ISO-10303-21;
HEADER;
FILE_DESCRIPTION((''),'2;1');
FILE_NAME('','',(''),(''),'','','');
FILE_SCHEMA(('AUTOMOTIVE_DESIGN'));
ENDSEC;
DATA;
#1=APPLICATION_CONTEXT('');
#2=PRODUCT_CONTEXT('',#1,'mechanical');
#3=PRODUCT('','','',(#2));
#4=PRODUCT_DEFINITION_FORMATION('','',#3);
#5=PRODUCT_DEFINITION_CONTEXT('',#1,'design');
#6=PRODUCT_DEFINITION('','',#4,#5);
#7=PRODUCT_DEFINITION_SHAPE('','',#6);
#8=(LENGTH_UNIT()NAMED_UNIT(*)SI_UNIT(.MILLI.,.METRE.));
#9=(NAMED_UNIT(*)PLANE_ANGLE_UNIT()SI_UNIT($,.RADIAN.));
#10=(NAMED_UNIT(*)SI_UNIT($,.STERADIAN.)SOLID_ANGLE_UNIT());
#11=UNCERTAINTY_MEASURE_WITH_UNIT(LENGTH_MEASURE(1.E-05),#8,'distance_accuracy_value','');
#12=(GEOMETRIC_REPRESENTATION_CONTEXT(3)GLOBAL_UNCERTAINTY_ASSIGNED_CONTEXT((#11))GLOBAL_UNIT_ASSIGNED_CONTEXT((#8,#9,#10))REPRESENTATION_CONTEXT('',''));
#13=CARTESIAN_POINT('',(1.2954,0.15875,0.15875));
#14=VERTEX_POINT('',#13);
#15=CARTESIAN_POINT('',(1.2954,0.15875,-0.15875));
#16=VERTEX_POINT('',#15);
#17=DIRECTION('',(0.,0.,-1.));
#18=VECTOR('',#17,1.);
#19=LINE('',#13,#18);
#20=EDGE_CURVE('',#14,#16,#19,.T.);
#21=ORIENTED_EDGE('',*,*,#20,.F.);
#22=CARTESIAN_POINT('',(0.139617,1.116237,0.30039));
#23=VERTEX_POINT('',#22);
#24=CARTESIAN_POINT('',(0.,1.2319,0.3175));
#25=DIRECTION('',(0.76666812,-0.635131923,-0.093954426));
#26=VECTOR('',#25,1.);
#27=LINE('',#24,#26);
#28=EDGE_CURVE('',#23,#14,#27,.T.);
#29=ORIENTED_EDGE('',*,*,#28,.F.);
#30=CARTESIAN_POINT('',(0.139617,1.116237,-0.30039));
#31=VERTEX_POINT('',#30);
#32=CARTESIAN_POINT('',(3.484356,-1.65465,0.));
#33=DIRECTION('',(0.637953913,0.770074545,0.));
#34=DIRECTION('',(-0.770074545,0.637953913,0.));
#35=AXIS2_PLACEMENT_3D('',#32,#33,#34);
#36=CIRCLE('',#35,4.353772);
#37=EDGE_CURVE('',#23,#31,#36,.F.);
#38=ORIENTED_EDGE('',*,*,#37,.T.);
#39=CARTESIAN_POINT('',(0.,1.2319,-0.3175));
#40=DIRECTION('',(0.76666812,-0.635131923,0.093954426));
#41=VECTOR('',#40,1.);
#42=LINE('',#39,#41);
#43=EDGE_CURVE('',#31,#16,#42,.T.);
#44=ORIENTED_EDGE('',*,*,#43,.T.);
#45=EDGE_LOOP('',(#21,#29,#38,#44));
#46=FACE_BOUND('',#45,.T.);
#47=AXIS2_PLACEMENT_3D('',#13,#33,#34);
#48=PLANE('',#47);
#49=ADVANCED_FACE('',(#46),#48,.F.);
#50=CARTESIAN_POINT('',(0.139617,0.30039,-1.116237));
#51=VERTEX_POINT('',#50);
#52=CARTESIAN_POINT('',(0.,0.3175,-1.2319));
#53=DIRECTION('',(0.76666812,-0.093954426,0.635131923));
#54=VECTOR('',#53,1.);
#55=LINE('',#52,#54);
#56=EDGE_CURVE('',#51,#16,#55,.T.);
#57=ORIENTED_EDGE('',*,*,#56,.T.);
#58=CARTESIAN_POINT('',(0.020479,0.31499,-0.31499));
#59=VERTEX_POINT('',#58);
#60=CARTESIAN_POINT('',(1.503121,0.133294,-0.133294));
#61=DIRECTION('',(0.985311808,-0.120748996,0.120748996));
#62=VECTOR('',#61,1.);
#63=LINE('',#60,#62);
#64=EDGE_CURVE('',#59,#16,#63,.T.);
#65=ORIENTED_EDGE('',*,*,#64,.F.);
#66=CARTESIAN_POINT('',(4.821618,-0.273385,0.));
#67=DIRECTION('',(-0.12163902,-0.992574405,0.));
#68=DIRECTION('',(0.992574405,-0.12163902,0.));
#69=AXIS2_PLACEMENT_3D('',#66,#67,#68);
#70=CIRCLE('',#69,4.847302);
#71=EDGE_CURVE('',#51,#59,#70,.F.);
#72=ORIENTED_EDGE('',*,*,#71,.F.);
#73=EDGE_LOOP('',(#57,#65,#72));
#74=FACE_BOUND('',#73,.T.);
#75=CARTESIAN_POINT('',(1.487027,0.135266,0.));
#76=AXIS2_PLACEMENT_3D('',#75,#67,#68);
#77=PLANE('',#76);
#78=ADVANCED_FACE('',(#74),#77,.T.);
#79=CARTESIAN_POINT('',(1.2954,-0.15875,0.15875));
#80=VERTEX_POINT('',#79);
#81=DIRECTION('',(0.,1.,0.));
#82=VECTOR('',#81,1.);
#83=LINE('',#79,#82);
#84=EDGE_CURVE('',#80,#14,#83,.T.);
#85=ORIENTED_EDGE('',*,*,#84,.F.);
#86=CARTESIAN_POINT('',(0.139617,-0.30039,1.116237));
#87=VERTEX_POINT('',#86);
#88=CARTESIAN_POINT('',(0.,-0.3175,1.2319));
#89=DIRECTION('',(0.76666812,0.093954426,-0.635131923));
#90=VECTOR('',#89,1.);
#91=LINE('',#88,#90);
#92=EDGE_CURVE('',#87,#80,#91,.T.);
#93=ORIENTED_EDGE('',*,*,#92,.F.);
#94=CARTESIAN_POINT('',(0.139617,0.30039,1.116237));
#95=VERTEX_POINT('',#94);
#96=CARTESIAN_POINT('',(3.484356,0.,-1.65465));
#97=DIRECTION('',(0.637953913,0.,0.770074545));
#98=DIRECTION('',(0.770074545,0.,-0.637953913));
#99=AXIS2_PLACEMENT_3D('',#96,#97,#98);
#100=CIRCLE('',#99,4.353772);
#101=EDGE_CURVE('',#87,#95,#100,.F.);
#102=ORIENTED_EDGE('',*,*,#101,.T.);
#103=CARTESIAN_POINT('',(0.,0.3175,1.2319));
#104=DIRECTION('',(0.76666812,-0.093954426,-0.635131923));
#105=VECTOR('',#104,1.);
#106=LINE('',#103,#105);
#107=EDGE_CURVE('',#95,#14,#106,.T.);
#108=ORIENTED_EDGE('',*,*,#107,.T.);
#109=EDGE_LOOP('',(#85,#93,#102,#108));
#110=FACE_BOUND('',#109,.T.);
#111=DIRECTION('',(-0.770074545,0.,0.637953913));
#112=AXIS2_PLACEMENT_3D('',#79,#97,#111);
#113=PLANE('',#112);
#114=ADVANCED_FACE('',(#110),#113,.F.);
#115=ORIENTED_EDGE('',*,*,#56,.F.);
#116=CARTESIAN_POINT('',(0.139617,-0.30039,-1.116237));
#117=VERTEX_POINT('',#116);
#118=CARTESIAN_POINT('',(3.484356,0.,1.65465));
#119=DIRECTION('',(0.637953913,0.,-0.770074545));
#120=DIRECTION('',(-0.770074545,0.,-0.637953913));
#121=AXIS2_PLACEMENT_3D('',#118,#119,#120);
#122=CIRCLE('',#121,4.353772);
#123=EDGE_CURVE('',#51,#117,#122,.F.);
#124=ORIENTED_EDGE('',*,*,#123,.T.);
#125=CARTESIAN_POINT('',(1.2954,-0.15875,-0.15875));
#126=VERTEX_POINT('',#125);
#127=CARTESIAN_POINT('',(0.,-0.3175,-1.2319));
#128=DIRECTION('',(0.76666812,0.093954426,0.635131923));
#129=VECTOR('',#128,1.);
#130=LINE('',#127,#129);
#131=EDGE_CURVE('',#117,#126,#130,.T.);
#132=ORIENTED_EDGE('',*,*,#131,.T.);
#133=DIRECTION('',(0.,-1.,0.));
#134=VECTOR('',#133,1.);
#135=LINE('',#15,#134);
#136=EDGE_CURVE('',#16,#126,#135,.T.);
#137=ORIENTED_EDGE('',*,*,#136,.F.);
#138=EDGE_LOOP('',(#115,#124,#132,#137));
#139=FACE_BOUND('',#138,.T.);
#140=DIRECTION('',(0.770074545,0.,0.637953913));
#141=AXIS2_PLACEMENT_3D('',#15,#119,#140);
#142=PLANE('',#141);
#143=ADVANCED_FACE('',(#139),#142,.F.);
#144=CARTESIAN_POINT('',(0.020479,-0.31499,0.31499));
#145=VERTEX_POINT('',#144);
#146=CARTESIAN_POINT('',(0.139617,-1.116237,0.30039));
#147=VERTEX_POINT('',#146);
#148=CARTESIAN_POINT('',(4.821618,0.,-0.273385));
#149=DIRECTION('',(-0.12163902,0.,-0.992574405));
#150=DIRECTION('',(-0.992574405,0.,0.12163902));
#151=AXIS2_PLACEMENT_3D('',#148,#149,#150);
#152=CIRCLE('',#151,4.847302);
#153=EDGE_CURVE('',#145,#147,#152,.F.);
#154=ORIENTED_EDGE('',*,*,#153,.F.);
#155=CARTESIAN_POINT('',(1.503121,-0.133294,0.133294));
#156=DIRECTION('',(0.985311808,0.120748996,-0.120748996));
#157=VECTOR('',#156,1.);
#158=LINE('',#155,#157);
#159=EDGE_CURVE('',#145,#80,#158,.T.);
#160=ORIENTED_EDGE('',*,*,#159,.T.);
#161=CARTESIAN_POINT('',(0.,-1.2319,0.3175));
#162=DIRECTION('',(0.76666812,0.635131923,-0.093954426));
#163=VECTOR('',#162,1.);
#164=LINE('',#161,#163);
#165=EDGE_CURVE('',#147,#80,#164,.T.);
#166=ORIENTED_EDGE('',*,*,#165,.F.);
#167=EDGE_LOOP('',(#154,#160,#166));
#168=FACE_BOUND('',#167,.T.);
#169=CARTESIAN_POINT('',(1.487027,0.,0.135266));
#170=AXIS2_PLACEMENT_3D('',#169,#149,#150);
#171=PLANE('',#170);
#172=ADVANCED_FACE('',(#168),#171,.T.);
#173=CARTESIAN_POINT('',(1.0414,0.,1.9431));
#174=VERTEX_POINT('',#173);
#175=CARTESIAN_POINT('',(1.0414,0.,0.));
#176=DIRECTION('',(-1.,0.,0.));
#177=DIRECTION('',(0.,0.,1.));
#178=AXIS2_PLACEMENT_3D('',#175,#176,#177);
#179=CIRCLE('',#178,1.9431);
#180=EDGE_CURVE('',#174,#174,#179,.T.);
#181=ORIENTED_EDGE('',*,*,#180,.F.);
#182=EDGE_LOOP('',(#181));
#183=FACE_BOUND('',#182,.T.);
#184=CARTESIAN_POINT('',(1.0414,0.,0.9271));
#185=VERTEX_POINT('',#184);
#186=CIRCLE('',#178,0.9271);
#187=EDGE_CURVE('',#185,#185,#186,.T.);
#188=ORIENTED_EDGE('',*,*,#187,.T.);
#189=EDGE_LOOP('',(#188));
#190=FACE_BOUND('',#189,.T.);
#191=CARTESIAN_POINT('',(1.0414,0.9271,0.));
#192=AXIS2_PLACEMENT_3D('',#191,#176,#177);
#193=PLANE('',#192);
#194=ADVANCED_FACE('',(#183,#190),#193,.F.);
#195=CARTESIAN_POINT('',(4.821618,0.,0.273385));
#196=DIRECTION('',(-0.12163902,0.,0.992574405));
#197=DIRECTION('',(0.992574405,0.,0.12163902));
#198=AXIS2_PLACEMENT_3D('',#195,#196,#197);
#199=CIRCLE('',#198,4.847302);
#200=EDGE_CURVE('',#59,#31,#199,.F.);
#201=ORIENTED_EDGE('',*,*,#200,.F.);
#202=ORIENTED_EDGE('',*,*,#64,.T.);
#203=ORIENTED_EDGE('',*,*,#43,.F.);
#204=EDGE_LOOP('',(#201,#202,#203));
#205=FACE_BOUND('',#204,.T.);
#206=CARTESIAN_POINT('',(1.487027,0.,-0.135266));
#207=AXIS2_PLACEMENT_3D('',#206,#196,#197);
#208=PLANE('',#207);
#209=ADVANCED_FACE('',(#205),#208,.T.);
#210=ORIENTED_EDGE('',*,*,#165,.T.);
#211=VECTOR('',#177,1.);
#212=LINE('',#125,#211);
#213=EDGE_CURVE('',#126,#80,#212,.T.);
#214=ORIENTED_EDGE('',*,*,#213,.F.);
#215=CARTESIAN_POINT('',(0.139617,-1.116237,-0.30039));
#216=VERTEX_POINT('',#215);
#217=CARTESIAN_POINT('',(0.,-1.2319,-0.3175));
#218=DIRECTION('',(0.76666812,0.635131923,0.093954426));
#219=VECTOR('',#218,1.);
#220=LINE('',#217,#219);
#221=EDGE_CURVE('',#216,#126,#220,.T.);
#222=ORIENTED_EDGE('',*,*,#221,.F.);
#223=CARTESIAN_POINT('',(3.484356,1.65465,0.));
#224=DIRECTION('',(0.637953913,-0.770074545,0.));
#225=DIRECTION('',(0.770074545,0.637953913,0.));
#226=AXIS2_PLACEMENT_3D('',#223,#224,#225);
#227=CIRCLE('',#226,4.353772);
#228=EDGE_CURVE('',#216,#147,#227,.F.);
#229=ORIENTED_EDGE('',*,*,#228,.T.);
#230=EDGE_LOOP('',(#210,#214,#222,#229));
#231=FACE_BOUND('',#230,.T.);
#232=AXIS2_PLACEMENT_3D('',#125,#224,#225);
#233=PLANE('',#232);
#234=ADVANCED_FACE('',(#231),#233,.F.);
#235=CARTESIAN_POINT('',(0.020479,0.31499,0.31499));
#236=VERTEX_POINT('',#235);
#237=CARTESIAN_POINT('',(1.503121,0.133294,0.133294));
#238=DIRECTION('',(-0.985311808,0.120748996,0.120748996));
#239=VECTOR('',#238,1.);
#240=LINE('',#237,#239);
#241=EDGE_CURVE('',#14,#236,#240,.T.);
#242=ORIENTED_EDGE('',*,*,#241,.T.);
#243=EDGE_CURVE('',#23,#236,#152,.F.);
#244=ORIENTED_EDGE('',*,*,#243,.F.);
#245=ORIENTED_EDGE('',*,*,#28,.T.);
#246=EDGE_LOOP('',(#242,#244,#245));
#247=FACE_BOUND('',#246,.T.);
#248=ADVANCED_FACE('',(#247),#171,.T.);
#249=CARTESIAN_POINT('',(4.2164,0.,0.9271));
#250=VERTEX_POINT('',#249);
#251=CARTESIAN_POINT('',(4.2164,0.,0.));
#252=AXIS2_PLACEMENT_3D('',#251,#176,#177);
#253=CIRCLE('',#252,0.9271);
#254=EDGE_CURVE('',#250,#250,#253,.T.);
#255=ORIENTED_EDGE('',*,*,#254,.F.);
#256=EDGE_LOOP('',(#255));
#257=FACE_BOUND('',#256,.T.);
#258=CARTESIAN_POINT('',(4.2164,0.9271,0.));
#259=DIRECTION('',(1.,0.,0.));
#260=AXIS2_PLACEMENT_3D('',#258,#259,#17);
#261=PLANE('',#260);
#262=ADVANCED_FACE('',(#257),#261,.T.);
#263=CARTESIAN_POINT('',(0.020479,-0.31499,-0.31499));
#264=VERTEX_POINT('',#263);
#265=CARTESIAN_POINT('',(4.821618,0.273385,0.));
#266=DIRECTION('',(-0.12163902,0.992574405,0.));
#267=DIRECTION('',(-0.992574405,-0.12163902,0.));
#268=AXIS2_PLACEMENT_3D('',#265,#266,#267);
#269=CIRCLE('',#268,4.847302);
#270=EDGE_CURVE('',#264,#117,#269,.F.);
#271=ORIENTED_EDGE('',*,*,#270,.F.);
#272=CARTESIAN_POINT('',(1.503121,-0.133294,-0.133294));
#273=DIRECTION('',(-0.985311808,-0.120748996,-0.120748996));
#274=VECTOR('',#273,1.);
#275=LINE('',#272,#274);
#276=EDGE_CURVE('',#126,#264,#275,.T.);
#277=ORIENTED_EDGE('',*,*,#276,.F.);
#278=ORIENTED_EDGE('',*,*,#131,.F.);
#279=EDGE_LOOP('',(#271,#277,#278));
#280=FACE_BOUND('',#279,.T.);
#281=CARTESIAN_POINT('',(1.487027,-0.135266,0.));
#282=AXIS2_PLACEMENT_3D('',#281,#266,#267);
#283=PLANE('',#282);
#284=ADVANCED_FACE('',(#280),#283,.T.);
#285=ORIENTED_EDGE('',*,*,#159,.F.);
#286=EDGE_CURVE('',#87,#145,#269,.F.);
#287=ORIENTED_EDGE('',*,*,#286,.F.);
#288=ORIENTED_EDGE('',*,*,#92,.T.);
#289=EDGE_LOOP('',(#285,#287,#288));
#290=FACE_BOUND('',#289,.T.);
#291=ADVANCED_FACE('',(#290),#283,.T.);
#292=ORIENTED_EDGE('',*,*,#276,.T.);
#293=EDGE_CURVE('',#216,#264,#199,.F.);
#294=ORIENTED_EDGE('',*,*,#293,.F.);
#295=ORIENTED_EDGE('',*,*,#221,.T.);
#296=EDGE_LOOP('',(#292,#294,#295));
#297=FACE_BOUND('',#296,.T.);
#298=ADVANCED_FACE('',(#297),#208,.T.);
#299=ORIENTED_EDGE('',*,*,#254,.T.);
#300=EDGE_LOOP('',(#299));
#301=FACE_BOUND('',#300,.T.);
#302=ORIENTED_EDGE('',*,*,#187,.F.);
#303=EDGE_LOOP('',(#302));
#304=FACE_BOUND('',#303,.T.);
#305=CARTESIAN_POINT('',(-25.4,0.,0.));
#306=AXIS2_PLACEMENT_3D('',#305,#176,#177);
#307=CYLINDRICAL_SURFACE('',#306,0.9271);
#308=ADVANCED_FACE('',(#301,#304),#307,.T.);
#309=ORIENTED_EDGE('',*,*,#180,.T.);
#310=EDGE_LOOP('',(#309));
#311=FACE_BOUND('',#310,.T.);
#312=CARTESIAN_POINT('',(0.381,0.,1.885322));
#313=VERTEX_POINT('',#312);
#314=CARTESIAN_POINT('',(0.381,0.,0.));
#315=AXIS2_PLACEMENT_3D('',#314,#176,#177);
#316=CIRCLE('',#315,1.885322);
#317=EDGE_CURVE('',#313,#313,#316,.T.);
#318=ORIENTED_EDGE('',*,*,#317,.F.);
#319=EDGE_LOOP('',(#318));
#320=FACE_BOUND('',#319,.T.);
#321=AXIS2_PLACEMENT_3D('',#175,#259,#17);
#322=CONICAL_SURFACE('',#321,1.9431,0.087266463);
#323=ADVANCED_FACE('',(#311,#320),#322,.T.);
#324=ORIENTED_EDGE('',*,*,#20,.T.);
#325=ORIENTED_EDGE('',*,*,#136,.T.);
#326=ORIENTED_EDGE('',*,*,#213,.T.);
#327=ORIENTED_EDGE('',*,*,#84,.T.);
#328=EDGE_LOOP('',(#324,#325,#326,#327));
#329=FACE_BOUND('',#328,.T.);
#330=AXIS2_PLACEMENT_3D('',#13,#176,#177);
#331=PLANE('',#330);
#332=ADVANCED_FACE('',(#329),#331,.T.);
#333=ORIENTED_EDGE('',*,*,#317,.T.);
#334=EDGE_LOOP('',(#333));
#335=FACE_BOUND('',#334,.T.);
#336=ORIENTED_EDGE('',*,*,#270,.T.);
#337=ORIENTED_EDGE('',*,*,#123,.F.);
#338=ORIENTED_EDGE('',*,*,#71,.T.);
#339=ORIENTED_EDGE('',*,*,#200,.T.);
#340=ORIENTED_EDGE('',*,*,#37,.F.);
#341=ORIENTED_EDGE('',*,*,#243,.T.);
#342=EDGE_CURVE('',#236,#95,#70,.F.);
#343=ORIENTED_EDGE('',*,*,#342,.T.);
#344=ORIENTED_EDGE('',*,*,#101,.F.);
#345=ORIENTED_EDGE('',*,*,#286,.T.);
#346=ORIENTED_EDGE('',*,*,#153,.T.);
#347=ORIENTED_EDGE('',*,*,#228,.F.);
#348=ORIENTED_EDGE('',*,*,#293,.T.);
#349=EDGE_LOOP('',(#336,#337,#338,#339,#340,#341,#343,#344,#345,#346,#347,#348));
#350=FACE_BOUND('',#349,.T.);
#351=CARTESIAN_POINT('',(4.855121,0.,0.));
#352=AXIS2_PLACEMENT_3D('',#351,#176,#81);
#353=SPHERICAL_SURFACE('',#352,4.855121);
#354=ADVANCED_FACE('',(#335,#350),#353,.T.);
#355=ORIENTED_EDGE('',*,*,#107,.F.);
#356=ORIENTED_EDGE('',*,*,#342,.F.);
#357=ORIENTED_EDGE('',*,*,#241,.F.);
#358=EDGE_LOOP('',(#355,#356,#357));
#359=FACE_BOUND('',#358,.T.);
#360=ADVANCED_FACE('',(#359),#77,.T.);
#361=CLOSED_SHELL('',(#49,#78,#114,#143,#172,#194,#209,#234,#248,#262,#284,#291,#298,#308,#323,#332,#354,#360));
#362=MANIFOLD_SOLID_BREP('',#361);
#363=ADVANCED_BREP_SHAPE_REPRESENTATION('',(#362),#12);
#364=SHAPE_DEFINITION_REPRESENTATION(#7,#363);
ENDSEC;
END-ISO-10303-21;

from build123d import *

# Parameters (mm, degrees)
CIRPATTERN1_COUNT = 2
CIRPATTERN1_ANGLE = 90


with BuildPart() as part:
    # BodySke → Base-Revolve (revolve)
    with BuildSketch(Plane.XY, mode=Mode.PRIVATE) as base_revolve_sk:
        with BuildLine():
            Line((1.0414, 0.9271), (1.0414, 1.9431))
            Line((1.0414, 1.9431), (0.381, 1.885322487))
            ThreePointArc((0.381, 1.885322487), (0.096203122, 0.961717458), (0, 0))
            Line((0, 0), (4.2164, 0))
            Line((4.2164, 0), (4.2164, 0.9271))
            Line((4.2164, 0.9271), (1.0414, 0.9271))
        make_face()
    revolve(base_revolve_sk.sketch.rotate(Axis((-25.4, 0, 0), (1, 0, 0)), 90), axis=Axis((-25.4, 0, 0), (1, 0, 0)))

    # Sketch3 → Cross section 0
    with BuildSketch(Plane(origin=(0, 0, 0), x_dir=(0, 0, -1), z_dir=(1, 0, 0))):
        with BuildLine():
            Line((-0.3175, 1.2319), (0.3175, 1.2319))
            Line((0.3175, 1.2319), (0.3175, -1.2319))
            Line((0.3175, -1.2319), (-0.3175, -1.2319))
            Line((-0.3175, -1.2319), (-0.3175, 1.2319))
        make_face()
    # Sketch4 → Cross section 1
    with BuildSketch(Plane(origin=(1.2954, 0, 0), x_dir=(0, 0, -1), z_dir=(1, 0, 0))):
        with BuildLine():
            Line((-0.15875, 0.15875), (0.15875, 0.15875))
            Line((0.15875, 0.15875), (0.15875, -0.15875))
            Line((0.15875, -0.15875), (-0.15875, -0.15875))
            Line((-0.15875, -0.15875), (-0.15875, 0.15875))
        make_face()
    cross = loft(mode=Mode.SUBTRACT)

    # CirPattern1: Cross ×2 about axis
    cirpattern1_axis = Axis((0, 0, 0), (1, 0, 0))
    for i in range(1, CIRPATTERN1_COUNT):
        add(cross.rotate(cirpattern1_axis, i * CIRPATTERN1_ANGLE / (CIRPATTERN1_COUNT - 1)), mode=Mode.SUBTRACT)


solid = part.part
